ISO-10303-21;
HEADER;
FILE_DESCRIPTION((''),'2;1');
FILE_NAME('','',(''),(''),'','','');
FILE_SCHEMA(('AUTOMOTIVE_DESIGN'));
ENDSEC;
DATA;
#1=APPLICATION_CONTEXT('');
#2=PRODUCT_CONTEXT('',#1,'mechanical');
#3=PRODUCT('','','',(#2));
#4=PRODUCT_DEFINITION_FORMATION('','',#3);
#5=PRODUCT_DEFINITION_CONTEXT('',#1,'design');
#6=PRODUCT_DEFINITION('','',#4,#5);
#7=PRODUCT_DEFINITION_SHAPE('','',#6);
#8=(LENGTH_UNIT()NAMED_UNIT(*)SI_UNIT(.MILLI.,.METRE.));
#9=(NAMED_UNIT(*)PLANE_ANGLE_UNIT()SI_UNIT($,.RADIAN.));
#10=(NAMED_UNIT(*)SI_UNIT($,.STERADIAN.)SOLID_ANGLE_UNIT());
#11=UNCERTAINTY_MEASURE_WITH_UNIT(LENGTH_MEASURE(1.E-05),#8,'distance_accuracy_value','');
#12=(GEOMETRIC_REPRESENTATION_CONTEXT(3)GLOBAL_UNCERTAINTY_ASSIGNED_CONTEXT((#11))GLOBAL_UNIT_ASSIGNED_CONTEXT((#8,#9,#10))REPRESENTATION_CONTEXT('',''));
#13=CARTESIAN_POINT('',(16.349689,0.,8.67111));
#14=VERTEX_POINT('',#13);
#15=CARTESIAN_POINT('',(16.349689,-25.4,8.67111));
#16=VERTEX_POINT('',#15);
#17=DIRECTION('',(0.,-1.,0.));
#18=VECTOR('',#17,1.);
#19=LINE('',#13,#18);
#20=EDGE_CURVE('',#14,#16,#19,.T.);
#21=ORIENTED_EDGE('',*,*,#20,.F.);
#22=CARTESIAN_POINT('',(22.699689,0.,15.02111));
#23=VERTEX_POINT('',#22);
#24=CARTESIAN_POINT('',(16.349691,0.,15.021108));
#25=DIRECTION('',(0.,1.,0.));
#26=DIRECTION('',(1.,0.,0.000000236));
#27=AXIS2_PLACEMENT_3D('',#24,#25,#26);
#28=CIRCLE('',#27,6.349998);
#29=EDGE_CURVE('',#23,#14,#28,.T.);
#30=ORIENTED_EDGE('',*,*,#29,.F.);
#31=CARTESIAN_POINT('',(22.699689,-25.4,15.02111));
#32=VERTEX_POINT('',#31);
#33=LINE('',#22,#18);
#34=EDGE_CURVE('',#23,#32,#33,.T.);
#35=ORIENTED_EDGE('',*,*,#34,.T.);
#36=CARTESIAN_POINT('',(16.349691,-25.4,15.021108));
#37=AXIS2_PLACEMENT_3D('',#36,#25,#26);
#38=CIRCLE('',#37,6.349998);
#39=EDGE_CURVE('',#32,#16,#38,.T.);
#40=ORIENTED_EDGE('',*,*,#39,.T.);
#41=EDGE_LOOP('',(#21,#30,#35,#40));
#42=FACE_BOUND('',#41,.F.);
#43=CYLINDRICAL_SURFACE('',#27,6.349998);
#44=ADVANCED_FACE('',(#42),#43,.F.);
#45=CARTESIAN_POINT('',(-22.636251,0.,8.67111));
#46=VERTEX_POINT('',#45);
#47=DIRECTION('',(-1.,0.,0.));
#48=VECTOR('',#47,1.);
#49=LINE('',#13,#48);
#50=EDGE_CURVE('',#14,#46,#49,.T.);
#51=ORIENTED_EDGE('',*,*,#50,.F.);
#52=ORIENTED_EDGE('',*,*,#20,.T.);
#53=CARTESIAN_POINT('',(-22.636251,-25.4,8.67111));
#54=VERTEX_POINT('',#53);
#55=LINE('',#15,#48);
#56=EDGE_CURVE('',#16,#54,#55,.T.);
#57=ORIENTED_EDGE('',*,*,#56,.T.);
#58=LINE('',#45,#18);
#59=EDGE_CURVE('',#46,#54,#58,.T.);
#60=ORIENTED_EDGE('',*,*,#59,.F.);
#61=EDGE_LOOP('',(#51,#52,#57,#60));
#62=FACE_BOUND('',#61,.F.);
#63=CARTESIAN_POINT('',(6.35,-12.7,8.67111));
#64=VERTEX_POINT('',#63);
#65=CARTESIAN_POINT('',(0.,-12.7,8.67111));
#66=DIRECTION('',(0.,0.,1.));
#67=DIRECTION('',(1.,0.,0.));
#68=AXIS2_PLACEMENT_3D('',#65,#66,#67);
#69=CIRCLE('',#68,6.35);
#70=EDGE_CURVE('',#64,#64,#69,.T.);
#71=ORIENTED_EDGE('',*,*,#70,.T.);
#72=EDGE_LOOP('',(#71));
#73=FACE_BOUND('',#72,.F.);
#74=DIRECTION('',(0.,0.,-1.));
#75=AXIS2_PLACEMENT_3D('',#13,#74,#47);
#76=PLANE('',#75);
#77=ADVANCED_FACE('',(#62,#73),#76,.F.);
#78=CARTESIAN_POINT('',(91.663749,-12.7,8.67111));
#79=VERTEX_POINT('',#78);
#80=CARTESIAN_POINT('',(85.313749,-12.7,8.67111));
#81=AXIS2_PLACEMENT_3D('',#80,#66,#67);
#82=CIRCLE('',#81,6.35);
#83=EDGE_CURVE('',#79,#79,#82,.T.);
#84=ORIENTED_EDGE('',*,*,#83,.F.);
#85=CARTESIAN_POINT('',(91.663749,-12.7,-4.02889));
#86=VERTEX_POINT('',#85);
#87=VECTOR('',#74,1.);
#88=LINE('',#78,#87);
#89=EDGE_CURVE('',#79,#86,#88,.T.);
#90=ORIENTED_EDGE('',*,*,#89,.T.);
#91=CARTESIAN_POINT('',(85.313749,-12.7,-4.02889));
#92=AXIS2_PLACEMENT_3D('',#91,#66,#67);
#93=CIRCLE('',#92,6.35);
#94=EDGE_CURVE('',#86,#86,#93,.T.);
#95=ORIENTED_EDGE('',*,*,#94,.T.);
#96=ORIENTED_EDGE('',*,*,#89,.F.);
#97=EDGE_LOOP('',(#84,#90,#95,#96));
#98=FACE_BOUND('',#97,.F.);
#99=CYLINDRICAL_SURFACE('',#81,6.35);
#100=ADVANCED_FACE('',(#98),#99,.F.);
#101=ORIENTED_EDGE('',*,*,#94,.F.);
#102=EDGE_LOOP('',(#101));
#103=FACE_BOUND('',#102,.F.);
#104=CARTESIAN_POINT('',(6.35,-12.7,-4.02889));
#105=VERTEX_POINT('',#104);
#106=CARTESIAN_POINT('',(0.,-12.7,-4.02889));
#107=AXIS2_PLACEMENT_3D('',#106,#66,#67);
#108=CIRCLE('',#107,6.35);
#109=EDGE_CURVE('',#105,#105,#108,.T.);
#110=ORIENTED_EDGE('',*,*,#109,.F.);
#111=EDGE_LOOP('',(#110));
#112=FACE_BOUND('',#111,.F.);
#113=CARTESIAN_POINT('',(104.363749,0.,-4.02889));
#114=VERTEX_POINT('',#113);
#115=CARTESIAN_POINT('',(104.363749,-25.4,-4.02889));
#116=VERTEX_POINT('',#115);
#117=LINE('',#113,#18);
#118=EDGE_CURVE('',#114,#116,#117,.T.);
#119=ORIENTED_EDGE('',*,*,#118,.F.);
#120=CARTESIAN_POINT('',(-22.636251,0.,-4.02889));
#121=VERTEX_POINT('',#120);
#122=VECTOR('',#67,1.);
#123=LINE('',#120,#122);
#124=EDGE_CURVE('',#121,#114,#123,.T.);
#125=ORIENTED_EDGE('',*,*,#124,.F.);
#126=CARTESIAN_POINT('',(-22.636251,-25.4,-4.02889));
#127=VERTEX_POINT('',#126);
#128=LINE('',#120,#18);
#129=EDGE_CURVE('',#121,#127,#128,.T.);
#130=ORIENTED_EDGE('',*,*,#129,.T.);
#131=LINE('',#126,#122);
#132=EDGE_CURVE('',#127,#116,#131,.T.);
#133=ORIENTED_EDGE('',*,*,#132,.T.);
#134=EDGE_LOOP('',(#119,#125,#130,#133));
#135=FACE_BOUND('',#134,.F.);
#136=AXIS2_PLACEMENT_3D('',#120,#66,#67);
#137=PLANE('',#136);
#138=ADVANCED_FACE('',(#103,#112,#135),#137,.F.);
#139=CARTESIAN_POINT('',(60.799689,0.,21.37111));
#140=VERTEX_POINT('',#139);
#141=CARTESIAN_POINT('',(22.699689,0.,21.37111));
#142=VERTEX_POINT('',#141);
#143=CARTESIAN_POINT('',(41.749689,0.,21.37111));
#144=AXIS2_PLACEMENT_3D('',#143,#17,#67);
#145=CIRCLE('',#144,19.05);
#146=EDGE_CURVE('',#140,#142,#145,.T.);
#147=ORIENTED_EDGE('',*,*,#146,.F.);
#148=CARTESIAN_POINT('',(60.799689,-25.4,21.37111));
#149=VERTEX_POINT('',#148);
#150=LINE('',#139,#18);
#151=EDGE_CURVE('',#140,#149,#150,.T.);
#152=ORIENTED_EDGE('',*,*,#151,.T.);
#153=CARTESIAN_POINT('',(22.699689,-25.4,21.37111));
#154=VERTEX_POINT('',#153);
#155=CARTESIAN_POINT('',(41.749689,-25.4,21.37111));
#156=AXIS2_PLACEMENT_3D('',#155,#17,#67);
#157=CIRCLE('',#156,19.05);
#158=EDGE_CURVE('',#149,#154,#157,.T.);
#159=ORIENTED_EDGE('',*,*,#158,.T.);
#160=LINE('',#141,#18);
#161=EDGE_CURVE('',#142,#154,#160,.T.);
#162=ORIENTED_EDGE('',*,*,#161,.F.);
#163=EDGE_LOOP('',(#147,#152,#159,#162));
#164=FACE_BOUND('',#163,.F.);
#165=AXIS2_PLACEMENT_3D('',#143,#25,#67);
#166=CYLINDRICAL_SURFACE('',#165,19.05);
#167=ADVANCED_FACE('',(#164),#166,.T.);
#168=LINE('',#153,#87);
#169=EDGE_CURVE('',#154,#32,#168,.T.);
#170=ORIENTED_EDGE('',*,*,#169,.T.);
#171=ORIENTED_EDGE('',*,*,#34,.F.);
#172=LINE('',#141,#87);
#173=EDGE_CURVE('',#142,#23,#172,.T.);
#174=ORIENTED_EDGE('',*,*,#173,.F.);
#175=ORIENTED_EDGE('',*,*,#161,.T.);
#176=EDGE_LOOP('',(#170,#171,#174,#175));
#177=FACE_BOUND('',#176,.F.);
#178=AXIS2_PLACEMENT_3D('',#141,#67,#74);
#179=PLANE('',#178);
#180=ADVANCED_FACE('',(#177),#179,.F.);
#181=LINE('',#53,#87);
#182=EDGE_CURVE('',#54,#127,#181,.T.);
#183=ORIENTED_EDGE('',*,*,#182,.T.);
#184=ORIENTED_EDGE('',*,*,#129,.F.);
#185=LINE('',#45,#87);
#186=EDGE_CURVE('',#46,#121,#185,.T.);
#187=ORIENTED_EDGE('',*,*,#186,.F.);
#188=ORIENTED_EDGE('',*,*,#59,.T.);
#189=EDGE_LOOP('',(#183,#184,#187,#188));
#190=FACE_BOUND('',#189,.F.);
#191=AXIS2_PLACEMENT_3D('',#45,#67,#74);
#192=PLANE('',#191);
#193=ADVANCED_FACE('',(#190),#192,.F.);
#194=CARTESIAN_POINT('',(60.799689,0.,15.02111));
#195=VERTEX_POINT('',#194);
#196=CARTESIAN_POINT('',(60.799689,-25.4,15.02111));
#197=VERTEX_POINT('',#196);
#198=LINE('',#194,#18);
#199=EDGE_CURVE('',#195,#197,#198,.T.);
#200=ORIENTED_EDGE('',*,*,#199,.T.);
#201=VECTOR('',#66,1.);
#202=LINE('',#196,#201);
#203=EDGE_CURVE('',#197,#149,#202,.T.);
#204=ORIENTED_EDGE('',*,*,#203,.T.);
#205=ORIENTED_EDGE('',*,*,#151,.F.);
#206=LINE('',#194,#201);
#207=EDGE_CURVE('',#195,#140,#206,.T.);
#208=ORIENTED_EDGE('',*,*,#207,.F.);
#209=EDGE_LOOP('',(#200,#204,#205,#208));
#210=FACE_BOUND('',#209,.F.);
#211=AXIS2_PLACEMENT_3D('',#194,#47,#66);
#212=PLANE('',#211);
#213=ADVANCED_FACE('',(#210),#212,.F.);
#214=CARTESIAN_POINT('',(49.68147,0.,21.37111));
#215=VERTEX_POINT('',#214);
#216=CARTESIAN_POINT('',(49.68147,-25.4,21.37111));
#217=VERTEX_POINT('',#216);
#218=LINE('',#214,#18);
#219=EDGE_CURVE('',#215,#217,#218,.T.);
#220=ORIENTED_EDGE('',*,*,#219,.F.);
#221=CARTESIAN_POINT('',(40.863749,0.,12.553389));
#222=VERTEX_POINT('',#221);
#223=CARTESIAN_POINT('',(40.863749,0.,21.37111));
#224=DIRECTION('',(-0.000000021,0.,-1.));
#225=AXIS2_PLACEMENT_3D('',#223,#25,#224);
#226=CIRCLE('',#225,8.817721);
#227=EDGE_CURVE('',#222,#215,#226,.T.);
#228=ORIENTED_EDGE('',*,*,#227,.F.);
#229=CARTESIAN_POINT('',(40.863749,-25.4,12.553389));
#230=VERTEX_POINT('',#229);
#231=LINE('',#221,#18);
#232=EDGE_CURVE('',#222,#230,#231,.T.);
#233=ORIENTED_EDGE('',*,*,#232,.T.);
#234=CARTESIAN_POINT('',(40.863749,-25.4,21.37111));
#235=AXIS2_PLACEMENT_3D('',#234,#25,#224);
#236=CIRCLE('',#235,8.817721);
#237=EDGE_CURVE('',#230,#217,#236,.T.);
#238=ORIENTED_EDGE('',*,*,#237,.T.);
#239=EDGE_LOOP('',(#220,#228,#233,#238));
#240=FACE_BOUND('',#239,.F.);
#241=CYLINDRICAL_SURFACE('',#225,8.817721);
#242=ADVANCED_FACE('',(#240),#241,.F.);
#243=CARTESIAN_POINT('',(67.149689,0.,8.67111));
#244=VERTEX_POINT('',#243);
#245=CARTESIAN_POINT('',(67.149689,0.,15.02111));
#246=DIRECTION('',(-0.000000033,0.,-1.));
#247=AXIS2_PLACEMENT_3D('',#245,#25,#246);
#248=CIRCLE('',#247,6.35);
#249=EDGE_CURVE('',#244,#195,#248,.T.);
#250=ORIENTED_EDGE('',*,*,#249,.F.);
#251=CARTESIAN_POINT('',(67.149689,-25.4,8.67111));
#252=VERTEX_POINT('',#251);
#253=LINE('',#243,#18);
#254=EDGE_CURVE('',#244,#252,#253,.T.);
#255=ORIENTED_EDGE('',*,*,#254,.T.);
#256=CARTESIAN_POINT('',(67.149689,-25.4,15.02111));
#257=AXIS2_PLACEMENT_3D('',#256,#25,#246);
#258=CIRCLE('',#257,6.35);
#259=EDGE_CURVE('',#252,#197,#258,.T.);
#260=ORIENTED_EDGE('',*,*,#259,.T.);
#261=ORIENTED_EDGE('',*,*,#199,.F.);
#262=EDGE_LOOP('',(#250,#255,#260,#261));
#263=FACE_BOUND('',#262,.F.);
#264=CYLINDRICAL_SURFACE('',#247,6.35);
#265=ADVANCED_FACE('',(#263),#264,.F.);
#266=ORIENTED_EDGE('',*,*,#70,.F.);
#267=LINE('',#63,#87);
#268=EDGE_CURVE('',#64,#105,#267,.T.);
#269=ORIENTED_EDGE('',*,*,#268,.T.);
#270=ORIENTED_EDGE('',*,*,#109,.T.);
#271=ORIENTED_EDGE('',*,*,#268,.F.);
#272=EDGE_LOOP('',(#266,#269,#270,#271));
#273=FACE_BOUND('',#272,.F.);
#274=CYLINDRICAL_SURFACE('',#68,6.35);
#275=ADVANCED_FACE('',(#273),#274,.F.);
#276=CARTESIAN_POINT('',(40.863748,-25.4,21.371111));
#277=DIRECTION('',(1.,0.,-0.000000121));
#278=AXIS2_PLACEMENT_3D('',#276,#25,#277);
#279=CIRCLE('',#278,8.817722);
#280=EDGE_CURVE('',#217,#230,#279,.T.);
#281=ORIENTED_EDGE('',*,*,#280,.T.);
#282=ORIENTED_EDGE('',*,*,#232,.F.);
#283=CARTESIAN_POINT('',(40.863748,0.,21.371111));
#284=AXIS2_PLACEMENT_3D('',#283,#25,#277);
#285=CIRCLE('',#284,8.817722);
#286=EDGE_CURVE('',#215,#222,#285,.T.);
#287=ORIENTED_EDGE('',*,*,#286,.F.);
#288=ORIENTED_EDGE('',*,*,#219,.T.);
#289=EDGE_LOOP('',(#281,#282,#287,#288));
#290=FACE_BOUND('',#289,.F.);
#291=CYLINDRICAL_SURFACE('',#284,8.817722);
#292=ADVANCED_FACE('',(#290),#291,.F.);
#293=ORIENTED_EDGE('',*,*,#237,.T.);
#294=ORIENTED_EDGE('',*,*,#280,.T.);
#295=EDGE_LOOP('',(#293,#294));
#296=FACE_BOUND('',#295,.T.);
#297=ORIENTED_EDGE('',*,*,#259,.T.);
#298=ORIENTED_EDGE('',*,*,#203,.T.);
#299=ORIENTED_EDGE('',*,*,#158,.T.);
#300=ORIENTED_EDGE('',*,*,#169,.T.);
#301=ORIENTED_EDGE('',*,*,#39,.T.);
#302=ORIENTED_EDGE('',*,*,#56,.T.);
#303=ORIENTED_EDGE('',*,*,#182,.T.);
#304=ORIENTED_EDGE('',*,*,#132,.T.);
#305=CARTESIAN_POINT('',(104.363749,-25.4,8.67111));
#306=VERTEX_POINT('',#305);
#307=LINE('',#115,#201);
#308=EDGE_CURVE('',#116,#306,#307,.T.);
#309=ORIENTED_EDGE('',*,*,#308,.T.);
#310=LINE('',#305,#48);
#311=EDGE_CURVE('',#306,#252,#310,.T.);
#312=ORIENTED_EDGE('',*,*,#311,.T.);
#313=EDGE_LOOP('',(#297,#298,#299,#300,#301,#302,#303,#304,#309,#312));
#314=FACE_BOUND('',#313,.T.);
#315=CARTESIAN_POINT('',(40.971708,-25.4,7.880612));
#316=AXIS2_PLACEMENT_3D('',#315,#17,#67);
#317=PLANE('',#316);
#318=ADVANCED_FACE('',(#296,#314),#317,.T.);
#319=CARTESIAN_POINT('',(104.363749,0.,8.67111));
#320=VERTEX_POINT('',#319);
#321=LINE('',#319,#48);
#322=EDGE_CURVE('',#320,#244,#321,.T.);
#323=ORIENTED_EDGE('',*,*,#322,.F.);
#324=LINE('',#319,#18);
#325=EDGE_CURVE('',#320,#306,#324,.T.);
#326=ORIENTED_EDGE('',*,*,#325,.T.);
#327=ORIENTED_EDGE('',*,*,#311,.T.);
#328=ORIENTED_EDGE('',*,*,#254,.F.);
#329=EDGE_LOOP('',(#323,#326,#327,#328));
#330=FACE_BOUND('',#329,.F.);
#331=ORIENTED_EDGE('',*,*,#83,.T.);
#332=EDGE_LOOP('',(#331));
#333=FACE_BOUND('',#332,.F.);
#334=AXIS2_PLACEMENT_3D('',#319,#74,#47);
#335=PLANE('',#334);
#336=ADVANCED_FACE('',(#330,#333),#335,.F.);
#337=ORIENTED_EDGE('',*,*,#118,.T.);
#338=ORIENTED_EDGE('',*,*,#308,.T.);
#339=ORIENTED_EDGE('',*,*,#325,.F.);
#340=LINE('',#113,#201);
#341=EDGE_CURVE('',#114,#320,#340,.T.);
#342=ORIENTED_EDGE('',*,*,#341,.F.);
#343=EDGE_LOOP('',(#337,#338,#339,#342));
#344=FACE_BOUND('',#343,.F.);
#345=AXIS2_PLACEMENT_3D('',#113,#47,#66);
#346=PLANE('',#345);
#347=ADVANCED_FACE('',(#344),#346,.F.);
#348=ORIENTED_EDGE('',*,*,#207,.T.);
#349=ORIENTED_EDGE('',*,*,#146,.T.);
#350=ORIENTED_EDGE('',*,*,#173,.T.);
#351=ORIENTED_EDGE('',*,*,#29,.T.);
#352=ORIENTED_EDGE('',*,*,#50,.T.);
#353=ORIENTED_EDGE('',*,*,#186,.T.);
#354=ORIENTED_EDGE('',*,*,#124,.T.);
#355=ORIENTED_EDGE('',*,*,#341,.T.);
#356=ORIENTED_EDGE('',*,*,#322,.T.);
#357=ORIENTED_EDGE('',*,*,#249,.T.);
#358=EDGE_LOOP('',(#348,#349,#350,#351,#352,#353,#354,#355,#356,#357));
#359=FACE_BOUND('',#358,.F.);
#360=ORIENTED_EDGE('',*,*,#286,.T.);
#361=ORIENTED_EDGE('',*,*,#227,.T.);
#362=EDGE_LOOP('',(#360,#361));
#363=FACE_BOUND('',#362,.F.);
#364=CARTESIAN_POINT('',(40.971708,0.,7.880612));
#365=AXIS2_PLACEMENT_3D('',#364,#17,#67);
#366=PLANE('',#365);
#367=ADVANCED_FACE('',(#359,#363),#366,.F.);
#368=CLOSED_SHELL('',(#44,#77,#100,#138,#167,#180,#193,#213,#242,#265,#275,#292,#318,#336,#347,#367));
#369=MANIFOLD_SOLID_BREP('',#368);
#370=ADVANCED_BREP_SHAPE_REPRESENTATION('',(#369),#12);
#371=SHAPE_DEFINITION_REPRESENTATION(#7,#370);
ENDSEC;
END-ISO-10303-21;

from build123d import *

# Parameters (mm, degrees)
F1_DEPTH = 25.4
F2_R     = 6.35
F3_DEPTH = 25.4


with BuildPart() as f1:
    # F0 (on Front) → F1 (new body)
    with BuildSketch(Plane.XZ):
        with BuildLine():
            Line((16.349689, 8.67111), (-22.636251, 8.67111))
            Line((-22.636251, 8.67111), (-22.636251, -4.02889))
            Line((-22.636251, -4.02889), (40.863749, -4.02889))
            Line((40.863749, -4.02889), (104.363749, -4.02889))
            Line((104.363749, -4.02889), (104.363749, 8.67111))
            Line((104.363749, 8.67111), (67.149689, 8.67111))
            ThreePointArc((67.149689, 8.67111), (62.659561, 10.530982), (60.799689, 15.02111))
            Line((60.799689, 15.02111), (60.799689, 21.37111))
            ThreePointArc((60.799689, 21.37111), (41.749689, 40.42111), (22.699689, 21.37111))
            Line((22.699689, 21.37111), (22.699689, 15.02111))
            ThreePointArc((22.699689, 15.02111), (20.839818, 10.530982), (16.349689, 8.67111))
        make_face()
        with BuildLine():
            ThreePointArc((49.68147, 21.37111), (47.098819, 15.13604), (40.863749, 12.553389))
            ThreePointArc((40.863749, 12.553389), (34.628679, 27.60618), (49.68147, 21.37111))
        make_face(mode=Mode.SUBTRACT)
    extrude(amount=F1_DEPTH)

    # F2 (on face) → F3 (cut)
    with BuildSketch(Plane.XY.offset(8.67111)):
        with Locations((0, -12.7)):
            Circle(F2_R)
        with Locations((85.313749, -12.7)):
            Circle(F2_R)
    extrude(amount=-F3_DEPTH, mode=Mode.SUBTRACT)


solid = f1.part
